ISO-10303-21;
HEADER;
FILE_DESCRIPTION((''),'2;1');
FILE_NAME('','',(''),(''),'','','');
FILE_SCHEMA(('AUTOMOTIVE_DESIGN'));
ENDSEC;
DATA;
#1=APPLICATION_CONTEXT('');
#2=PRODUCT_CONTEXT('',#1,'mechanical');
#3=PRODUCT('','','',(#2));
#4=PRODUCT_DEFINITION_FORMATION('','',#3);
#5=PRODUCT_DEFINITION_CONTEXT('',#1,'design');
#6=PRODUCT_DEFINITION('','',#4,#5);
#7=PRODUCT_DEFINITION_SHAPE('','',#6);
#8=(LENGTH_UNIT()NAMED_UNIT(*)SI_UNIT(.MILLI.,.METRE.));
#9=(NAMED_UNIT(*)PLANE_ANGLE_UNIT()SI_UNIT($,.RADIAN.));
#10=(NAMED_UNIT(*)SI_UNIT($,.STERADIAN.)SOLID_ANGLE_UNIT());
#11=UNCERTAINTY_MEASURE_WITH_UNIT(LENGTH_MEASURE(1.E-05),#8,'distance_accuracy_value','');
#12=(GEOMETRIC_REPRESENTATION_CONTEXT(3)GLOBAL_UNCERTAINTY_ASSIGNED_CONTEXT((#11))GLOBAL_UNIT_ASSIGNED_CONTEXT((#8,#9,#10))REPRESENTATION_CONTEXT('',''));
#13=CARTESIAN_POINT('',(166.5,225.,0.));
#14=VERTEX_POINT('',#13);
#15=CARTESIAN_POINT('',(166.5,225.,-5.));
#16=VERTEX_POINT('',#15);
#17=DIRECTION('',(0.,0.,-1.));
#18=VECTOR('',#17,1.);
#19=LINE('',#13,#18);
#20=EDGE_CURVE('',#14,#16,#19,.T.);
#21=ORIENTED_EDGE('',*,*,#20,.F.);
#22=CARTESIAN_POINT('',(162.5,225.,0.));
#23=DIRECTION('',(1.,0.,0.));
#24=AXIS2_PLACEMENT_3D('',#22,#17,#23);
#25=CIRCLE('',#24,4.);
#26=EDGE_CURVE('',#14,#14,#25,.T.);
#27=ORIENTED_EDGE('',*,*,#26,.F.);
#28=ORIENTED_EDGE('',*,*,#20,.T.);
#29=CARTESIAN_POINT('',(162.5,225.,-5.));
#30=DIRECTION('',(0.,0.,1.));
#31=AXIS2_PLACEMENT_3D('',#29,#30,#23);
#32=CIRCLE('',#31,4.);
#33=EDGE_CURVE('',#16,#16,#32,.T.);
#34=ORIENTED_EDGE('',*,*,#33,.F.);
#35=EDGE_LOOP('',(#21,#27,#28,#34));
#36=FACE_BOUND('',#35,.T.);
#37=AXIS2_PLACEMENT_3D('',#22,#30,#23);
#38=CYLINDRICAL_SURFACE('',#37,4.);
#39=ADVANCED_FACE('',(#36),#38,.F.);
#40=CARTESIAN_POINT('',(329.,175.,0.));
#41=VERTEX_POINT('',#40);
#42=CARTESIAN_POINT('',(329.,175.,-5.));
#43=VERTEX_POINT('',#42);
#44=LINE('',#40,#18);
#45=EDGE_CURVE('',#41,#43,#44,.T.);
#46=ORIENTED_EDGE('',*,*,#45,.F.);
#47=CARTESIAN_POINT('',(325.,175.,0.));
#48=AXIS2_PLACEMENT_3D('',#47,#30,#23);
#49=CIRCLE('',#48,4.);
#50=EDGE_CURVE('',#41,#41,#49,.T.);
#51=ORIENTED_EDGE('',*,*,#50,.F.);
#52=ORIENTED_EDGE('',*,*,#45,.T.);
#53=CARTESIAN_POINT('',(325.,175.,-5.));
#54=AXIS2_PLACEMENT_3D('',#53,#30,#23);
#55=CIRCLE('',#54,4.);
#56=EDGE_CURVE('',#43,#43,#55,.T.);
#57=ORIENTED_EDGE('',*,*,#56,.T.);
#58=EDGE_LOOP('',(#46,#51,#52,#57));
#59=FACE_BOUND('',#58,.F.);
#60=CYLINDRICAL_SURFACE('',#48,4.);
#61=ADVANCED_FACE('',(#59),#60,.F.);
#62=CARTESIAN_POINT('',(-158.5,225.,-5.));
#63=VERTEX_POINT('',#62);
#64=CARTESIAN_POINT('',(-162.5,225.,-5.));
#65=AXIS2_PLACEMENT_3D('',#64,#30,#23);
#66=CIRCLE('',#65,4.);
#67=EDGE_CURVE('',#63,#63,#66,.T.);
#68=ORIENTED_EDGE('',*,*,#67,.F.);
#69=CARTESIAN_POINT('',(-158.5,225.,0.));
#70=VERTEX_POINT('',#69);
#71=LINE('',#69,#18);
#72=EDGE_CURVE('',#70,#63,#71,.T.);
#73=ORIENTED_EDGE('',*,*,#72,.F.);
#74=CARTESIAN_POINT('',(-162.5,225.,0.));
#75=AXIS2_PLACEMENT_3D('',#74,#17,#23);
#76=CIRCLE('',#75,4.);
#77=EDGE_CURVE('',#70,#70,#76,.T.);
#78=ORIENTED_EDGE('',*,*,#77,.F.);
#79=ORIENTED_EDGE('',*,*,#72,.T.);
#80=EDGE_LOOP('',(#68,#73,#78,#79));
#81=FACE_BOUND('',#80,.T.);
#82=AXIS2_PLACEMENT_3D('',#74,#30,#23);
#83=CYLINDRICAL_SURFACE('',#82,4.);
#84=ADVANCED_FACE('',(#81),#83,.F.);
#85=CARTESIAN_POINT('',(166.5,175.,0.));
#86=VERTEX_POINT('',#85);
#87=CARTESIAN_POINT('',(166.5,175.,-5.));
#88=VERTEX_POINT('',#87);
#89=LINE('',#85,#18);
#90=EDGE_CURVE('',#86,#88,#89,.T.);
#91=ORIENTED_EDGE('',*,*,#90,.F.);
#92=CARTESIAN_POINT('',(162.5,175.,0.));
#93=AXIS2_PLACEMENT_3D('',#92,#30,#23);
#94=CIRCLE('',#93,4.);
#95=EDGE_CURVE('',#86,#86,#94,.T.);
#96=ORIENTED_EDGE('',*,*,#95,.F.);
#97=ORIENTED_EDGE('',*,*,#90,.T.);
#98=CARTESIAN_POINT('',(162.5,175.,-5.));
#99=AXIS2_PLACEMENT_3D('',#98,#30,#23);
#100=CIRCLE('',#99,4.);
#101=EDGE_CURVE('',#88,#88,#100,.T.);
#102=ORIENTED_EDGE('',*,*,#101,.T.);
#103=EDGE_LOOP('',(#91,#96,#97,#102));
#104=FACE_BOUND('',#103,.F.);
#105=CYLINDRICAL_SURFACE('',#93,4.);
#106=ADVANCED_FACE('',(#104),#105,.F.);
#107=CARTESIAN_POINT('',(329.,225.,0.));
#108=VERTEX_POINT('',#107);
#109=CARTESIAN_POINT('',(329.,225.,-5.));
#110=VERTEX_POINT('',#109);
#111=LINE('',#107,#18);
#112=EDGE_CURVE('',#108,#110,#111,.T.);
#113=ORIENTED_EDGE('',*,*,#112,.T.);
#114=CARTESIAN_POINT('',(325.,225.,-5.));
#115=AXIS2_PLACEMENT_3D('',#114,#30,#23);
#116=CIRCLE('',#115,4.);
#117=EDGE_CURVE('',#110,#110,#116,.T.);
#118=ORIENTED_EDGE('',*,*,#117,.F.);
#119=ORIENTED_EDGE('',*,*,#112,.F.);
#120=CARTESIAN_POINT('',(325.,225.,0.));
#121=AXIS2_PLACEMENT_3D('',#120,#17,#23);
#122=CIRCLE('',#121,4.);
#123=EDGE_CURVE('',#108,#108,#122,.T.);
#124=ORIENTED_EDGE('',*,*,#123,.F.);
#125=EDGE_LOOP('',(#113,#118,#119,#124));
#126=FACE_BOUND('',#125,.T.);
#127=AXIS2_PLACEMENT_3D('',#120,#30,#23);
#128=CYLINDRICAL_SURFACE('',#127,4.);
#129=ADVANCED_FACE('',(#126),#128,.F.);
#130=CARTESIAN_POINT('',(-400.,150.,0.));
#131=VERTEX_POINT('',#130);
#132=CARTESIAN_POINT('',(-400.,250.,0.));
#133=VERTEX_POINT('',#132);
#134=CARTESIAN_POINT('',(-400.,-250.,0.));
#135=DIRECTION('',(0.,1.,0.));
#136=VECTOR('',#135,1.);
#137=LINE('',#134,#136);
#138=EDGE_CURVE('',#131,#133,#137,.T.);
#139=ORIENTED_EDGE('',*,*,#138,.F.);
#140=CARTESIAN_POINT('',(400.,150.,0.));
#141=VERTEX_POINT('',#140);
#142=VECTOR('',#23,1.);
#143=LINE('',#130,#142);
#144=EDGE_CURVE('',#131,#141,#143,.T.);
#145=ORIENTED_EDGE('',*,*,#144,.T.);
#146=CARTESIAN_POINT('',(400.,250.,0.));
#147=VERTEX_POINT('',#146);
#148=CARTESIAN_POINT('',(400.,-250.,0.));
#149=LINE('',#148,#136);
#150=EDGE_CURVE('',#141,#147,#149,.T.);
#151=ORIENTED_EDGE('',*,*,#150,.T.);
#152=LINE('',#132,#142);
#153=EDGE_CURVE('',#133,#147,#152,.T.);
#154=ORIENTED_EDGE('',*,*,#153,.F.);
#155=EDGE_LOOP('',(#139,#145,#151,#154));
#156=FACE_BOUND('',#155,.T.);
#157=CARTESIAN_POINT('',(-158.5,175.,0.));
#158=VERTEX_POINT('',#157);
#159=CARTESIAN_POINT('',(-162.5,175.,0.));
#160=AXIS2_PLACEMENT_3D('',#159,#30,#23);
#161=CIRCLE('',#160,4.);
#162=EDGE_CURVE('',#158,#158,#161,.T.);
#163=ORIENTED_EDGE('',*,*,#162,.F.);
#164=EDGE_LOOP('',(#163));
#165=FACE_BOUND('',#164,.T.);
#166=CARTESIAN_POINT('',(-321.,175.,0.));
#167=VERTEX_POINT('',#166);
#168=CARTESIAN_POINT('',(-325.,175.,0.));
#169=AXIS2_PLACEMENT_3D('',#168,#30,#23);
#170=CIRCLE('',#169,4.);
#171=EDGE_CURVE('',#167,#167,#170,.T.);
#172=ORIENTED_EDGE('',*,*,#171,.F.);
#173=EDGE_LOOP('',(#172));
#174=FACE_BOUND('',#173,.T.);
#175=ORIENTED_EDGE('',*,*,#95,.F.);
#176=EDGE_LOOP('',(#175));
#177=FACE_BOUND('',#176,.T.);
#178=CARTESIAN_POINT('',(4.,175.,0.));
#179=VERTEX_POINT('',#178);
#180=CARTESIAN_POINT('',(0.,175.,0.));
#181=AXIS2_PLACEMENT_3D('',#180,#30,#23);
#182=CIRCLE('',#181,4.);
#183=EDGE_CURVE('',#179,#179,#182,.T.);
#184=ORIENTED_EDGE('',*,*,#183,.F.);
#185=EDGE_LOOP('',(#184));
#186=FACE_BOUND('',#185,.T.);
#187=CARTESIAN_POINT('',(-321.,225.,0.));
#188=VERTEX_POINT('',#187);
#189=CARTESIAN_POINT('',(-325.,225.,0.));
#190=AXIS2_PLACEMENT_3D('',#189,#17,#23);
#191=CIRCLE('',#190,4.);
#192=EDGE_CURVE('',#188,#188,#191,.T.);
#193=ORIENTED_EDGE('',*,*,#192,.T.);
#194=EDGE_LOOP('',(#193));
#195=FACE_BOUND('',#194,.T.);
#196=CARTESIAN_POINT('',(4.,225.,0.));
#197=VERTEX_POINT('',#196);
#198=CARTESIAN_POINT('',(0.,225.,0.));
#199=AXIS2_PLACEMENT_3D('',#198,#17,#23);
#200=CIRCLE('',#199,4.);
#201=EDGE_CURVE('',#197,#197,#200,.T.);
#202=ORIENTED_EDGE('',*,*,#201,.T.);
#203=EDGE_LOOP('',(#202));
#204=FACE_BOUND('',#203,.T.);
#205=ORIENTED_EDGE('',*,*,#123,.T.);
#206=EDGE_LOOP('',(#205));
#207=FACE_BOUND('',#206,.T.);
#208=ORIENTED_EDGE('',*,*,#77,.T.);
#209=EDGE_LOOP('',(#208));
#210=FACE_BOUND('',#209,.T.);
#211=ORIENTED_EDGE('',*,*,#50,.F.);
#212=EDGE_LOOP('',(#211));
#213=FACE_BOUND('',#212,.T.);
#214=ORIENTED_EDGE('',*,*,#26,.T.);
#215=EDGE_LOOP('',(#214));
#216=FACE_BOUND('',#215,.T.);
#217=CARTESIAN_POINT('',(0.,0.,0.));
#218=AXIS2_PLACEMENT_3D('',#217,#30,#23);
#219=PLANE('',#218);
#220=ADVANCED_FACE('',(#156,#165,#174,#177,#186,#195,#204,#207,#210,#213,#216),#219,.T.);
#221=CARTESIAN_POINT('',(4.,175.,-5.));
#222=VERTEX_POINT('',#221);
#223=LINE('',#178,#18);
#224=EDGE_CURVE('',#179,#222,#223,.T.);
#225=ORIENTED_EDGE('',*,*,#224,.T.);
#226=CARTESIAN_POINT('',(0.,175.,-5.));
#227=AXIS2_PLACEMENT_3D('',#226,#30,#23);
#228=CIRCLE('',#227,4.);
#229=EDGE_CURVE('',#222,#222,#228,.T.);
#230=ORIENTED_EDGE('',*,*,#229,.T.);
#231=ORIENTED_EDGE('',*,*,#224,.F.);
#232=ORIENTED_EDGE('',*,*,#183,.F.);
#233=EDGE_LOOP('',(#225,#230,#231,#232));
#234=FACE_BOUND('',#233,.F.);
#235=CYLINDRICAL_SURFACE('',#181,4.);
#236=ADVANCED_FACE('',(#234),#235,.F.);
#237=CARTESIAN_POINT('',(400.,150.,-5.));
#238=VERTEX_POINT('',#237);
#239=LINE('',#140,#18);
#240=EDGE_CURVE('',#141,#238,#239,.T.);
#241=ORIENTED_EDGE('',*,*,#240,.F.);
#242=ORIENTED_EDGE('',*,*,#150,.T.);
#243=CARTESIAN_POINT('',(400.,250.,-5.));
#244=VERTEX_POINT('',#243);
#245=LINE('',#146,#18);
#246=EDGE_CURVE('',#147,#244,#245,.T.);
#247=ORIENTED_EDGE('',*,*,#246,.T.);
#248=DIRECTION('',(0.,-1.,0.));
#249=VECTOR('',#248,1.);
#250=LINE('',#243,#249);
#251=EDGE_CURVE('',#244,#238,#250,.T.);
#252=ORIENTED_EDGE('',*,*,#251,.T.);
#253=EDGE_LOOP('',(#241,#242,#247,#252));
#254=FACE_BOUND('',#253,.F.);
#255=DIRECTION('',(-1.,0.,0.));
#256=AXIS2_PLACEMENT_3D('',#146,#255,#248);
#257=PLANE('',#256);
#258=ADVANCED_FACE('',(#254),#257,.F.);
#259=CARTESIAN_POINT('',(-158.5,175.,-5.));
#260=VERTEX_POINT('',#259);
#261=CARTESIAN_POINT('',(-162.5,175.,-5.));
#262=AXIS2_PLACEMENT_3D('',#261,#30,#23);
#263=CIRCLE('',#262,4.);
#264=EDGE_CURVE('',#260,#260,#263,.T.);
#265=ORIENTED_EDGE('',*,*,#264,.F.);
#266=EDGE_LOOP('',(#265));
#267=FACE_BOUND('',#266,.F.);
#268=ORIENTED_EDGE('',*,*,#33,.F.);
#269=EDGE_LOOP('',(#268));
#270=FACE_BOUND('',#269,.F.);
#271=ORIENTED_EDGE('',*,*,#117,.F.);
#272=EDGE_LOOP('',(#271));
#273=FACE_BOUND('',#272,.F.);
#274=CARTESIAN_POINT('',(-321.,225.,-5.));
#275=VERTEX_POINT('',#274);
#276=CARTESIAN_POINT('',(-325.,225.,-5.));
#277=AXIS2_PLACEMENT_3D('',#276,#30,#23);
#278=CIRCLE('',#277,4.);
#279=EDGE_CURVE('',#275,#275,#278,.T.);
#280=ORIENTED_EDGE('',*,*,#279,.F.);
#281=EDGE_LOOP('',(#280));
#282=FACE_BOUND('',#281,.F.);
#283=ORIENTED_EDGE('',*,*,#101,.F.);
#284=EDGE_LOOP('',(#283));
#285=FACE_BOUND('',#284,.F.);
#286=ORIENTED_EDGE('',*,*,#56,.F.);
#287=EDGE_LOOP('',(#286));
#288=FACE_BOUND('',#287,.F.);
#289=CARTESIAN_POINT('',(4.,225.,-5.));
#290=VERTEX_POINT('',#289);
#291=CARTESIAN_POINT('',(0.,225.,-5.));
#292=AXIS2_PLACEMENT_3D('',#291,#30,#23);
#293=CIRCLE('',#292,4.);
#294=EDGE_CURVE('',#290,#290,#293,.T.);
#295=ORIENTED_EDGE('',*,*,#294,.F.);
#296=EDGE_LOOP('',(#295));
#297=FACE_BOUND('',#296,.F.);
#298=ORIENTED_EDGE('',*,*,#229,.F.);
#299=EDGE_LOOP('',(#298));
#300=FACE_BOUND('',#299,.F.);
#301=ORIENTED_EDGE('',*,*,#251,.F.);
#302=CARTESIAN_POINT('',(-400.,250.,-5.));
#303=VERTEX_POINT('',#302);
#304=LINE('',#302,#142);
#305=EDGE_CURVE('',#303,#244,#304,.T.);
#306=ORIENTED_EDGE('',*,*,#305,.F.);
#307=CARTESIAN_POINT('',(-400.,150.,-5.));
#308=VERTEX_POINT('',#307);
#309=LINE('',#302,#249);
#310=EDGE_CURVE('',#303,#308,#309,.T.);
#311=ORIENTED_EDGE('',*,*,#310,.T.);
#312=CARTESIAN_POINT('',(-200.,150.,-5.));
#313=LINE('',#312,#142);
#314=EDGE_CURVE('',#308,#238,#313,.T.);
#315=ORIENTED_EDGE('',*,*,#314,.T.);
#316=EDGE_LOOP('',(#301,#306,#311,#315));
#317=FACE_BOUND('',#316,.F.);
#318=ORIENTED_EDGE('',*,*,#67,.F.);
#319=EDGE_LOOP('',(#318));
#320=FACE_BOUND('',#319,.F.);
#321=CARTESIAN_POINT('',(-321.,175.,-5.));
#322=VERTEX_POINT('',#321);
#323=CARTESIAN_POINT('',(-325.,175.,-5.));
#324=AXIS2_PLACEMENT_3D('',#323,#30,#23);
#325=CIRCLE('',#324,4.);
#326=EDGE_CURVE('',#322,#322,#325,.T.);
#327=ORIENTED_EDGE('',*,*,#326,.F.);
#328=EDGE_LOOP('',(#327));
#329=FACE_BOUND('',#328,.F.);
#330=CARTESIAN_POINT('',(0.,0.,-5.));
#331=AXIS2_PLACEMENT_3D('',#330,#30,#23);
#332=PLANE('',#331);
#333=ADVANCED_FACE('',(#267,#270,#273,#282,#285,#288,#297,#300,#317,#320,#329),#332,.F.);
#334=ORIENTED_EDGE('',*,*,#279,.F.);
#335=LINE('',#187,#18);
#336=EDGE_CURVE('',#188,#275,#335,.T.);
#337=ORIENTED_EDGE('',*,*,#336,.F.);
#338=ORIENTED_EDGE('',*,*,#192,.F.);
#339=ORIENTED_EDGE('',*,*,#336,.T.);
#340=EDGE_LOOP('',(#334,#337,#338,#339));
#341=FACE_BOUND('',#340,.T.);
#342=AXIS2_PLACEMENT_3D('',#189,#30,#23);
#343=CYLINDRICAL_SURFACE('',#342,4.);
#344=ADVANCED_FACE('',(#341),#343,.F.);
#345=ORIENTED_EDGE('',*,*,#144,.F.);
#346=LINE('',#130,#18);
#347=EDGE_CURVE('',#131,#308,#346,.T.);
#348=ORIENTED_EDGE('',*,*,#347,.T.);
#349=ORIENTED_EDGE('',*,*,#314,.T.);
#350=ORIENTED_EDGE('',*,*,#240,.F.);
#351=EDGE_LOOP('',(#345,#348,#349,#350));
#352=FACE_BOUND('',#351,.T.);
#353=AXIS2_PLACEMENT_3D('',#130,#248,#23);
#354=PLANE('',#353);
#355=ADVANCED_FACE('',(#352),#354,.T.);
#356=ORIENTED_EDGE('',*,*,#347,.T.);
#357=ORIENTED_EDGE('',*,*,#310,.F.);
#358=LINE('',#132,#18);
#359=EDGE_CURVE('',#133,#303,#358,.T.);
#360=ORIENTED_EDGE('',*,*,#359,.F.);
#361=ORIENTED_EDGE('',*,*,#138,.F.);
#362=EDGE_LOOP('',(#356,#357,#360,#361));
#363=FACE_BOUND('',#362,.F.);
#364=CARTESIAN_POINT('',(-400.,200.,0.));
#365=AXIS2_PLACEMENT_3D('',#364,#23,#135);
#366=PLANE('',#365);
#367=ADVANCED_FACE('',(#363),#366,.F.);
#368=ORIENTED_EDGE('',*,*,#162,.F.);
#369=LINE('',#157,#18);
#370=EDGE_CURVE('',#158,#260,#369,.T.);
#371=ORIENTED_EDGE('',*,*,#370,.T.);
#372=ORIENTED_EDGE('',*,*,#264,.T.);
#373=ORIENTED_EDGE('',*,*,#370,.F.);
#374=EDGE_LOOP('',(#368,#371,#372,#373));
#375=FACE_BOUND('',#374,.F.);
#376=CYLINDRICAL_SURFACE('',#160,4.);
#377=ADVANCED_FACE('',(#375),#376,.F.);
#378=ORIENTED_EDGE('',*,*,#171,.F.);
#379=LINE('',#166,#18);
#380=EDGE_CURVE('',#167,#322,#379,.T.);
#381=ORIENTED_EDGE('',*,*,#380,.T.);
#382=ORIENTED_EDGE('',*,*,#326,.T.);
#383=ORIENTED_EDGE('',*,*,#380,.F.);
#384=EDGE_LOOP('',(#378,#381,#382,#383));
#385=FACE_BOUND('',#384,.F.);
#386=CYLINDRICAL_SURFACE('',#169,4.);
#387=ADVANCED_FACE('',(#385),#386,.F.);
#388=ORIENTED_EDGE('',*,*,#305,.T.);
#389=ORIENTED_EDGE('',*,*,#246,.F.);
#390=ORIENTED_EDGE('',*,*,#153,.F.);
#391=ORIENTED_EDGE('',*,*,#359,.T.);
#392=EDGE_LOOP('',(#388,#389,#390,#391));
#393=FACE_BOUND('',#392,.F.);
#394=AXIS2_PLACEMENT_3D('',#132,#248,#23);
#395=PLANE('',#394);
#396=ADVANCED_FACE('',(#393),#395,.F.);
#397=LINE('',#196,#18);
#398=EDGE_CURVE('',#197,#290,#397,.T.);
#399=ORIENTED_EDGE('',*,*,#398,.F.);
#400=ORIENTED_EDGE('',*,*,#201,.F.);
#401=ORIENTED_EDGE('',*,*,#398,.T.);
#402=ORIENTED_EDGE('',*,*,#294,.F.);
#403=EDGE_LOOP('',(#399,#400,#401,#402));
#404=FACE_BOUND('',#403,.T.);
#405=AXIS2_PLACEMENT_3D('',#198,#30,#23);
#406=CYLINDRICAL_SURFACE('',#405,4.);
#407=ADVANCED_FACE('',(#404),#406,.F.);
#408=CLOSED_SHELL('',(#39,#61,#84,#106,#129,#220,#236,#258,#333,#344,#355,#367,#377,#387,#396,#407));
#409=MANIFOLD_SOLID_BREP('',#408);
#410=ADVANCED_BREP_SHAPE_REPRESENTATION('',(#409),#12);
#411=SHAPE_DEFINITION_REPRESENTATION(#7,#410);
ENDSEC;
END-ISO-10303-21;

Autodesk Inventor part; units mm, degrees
ref_plane "YZ Plane" through (0, 0, 0) normal (1, 0, 0) x (0, 1, 0)
ref_plane "XZ Plane" through (0, 0, 0) normal (0, 1, 0) x (-1, 0, 0)
ref_plane "XY Plane" through (0, 0, 0) normal (0, 0, 1) x (1, 0, 0)
sketch "base_layout_sketch" plane through (0, 0, 0) normal (0, 0, 1) x (1, 0, 0)
  line L0 (-400, 200) -> (400, 200)
  line L1 (400, 200) -> (400, -200)
  line L2 (400, -200) -> (-400, -200)
  line L3 (-400, -200) -> (-400, 200)
  line L4 (0, 200) -> (0, -200) construction
  line L5 (-400, 150) -> (400, 150)
  line L6 (400, 150) -> (400, -150)
  line L7 (400, -150) -> (-400, -150)
  line L8 (-400, -150) -> (-400, 150)
  line L9 (0, 150) -> (0, -150) construction
  line L10 (-400, 250) -> (400, 250)
  line L11 (400, 250) -> (400, -250)
  line L12 (400, -250) -> (-400, -250)
  line L13 (-400, -250) -> (-400, 250)
  line L14 (0, 250) -> (0, -250) construction
  point P0 (0, 0)
  point P1 (0, 0)
  point P2 (-400, 200)
  point P3 (-400, -200)
  point P4 (400, -200)
  point P5 (400, 200)
  dimension "d0" = 400
  dimension "d1" = 800
  dimension "d2" = 300
  dimension "d4" = 500
sketch "bolt_holes_sketch" plane through (0, 0, 0) normal (0, 0, 1) x (1, 0, 0)
  circle A0 centre (-325, 175) radius 4
  line L0 (-400, 250) -> (400, 250) projected
  line L1 (-400, -250) -> (-400, 250) projected
  line L2 (-560, 0) -> (560, 0) projected
  point P0 (0, 0)
  dimension "d3" = 8
  dimension "d6" = 75
  dimension "d21" = 175
extrude "sheet_visualisation" add sketch "base_layout_sketch" against normal blind 5
extrude "bolt_holes Cut" cut sketch "bolt_holes_sketch" against normal through all
pattern_linear "bolt_holes_upper Pattern" count 5 spacing 162.5 along (1, 0, 0) of "bolt_holes Cut"
mirror "bolt_holes Mirror" about plane through (0, 0, 0) normal (0, 1, 0) of "bolt_holes Cut", "bolt_holes_upper Pattern"
ref_plane "Work Plane1" through (-400, 200, 0) normal (0, -1, 0) x (1, 0, 0)
mirror "Mirror2" about plane through (-400, 200, 0) normal (0, -1, 0) of "bolt_holes Cut", "bolt_holes_upper Pattern"
sketch "Sketch3" plane through (0, 0, 0) normal (0, 0, 1) x (1, 0, 0)
  line L0 (400, -250) -> (400, 250) projected
  line L1 (-400, 250) -> (-400, -250) projected
  line L2 (400, -250) -> (-400, -250)
  line L3 (-400, -250) -> (-400, 150)
  line L4 (-400, 150) -> (400, 150)
  line L5 (400, 150) -> (400, -250)
  point P0 (0, 0)
  dimension "d27" = 400
extrude "Extrusion3" cut sketch "Sketch3" against normal blind 9.5
equation "\"d0\" = layer_width"
equation "\"d1\" = track_length"
equation "\"d2\" = track_width"
equation "\"d4\" = real_sheet_width"
equation "\"d3\" = bolt_diameter"
equation "\"d6\" = x_offset_for_bolts"
equation "\"d21\" = y_offset_for_bolts"
equation "\"d14\" = sheet_thickness"
equation "\"track_length\" = 800"
equation "\"layer_width\" = 400"
equation "\"bolt_diameter\" = 8"
equation "\"real_sheet_width\" = 500"
equation "\"x_offset_for_bolts\" = 75"
equation "\"y_offset_for_bolts\" = 175"
equation "\"sheet_thickness\" = 5"
equation "\"track_width\" = 300"
equation "\"ferrite_length\" = 109"
equation "\"ferrite_width\" = 15"
equation "\"ferrite_height\" = 8"
equation "\"edge_gap_distance\" = 14.5"
equation "\"wire_diameter\" = 4.5"
equation "\"distance_between_wires\" = -1.2 * wire_diameter + 0.2 * parameter_6"
equation "\"distance_between_wires_edge\" = -1.5 * wire_diameter + 0.5 * parameter_2"
equation "\"bend_radius_inner\" = 15"
equation "\"wall_thickness\" = 25"
equation "\"parameter_6\" = 120"
equation "\"parameter_2\" = 30"
properties part number "bolt_holess_for_double_guides"
